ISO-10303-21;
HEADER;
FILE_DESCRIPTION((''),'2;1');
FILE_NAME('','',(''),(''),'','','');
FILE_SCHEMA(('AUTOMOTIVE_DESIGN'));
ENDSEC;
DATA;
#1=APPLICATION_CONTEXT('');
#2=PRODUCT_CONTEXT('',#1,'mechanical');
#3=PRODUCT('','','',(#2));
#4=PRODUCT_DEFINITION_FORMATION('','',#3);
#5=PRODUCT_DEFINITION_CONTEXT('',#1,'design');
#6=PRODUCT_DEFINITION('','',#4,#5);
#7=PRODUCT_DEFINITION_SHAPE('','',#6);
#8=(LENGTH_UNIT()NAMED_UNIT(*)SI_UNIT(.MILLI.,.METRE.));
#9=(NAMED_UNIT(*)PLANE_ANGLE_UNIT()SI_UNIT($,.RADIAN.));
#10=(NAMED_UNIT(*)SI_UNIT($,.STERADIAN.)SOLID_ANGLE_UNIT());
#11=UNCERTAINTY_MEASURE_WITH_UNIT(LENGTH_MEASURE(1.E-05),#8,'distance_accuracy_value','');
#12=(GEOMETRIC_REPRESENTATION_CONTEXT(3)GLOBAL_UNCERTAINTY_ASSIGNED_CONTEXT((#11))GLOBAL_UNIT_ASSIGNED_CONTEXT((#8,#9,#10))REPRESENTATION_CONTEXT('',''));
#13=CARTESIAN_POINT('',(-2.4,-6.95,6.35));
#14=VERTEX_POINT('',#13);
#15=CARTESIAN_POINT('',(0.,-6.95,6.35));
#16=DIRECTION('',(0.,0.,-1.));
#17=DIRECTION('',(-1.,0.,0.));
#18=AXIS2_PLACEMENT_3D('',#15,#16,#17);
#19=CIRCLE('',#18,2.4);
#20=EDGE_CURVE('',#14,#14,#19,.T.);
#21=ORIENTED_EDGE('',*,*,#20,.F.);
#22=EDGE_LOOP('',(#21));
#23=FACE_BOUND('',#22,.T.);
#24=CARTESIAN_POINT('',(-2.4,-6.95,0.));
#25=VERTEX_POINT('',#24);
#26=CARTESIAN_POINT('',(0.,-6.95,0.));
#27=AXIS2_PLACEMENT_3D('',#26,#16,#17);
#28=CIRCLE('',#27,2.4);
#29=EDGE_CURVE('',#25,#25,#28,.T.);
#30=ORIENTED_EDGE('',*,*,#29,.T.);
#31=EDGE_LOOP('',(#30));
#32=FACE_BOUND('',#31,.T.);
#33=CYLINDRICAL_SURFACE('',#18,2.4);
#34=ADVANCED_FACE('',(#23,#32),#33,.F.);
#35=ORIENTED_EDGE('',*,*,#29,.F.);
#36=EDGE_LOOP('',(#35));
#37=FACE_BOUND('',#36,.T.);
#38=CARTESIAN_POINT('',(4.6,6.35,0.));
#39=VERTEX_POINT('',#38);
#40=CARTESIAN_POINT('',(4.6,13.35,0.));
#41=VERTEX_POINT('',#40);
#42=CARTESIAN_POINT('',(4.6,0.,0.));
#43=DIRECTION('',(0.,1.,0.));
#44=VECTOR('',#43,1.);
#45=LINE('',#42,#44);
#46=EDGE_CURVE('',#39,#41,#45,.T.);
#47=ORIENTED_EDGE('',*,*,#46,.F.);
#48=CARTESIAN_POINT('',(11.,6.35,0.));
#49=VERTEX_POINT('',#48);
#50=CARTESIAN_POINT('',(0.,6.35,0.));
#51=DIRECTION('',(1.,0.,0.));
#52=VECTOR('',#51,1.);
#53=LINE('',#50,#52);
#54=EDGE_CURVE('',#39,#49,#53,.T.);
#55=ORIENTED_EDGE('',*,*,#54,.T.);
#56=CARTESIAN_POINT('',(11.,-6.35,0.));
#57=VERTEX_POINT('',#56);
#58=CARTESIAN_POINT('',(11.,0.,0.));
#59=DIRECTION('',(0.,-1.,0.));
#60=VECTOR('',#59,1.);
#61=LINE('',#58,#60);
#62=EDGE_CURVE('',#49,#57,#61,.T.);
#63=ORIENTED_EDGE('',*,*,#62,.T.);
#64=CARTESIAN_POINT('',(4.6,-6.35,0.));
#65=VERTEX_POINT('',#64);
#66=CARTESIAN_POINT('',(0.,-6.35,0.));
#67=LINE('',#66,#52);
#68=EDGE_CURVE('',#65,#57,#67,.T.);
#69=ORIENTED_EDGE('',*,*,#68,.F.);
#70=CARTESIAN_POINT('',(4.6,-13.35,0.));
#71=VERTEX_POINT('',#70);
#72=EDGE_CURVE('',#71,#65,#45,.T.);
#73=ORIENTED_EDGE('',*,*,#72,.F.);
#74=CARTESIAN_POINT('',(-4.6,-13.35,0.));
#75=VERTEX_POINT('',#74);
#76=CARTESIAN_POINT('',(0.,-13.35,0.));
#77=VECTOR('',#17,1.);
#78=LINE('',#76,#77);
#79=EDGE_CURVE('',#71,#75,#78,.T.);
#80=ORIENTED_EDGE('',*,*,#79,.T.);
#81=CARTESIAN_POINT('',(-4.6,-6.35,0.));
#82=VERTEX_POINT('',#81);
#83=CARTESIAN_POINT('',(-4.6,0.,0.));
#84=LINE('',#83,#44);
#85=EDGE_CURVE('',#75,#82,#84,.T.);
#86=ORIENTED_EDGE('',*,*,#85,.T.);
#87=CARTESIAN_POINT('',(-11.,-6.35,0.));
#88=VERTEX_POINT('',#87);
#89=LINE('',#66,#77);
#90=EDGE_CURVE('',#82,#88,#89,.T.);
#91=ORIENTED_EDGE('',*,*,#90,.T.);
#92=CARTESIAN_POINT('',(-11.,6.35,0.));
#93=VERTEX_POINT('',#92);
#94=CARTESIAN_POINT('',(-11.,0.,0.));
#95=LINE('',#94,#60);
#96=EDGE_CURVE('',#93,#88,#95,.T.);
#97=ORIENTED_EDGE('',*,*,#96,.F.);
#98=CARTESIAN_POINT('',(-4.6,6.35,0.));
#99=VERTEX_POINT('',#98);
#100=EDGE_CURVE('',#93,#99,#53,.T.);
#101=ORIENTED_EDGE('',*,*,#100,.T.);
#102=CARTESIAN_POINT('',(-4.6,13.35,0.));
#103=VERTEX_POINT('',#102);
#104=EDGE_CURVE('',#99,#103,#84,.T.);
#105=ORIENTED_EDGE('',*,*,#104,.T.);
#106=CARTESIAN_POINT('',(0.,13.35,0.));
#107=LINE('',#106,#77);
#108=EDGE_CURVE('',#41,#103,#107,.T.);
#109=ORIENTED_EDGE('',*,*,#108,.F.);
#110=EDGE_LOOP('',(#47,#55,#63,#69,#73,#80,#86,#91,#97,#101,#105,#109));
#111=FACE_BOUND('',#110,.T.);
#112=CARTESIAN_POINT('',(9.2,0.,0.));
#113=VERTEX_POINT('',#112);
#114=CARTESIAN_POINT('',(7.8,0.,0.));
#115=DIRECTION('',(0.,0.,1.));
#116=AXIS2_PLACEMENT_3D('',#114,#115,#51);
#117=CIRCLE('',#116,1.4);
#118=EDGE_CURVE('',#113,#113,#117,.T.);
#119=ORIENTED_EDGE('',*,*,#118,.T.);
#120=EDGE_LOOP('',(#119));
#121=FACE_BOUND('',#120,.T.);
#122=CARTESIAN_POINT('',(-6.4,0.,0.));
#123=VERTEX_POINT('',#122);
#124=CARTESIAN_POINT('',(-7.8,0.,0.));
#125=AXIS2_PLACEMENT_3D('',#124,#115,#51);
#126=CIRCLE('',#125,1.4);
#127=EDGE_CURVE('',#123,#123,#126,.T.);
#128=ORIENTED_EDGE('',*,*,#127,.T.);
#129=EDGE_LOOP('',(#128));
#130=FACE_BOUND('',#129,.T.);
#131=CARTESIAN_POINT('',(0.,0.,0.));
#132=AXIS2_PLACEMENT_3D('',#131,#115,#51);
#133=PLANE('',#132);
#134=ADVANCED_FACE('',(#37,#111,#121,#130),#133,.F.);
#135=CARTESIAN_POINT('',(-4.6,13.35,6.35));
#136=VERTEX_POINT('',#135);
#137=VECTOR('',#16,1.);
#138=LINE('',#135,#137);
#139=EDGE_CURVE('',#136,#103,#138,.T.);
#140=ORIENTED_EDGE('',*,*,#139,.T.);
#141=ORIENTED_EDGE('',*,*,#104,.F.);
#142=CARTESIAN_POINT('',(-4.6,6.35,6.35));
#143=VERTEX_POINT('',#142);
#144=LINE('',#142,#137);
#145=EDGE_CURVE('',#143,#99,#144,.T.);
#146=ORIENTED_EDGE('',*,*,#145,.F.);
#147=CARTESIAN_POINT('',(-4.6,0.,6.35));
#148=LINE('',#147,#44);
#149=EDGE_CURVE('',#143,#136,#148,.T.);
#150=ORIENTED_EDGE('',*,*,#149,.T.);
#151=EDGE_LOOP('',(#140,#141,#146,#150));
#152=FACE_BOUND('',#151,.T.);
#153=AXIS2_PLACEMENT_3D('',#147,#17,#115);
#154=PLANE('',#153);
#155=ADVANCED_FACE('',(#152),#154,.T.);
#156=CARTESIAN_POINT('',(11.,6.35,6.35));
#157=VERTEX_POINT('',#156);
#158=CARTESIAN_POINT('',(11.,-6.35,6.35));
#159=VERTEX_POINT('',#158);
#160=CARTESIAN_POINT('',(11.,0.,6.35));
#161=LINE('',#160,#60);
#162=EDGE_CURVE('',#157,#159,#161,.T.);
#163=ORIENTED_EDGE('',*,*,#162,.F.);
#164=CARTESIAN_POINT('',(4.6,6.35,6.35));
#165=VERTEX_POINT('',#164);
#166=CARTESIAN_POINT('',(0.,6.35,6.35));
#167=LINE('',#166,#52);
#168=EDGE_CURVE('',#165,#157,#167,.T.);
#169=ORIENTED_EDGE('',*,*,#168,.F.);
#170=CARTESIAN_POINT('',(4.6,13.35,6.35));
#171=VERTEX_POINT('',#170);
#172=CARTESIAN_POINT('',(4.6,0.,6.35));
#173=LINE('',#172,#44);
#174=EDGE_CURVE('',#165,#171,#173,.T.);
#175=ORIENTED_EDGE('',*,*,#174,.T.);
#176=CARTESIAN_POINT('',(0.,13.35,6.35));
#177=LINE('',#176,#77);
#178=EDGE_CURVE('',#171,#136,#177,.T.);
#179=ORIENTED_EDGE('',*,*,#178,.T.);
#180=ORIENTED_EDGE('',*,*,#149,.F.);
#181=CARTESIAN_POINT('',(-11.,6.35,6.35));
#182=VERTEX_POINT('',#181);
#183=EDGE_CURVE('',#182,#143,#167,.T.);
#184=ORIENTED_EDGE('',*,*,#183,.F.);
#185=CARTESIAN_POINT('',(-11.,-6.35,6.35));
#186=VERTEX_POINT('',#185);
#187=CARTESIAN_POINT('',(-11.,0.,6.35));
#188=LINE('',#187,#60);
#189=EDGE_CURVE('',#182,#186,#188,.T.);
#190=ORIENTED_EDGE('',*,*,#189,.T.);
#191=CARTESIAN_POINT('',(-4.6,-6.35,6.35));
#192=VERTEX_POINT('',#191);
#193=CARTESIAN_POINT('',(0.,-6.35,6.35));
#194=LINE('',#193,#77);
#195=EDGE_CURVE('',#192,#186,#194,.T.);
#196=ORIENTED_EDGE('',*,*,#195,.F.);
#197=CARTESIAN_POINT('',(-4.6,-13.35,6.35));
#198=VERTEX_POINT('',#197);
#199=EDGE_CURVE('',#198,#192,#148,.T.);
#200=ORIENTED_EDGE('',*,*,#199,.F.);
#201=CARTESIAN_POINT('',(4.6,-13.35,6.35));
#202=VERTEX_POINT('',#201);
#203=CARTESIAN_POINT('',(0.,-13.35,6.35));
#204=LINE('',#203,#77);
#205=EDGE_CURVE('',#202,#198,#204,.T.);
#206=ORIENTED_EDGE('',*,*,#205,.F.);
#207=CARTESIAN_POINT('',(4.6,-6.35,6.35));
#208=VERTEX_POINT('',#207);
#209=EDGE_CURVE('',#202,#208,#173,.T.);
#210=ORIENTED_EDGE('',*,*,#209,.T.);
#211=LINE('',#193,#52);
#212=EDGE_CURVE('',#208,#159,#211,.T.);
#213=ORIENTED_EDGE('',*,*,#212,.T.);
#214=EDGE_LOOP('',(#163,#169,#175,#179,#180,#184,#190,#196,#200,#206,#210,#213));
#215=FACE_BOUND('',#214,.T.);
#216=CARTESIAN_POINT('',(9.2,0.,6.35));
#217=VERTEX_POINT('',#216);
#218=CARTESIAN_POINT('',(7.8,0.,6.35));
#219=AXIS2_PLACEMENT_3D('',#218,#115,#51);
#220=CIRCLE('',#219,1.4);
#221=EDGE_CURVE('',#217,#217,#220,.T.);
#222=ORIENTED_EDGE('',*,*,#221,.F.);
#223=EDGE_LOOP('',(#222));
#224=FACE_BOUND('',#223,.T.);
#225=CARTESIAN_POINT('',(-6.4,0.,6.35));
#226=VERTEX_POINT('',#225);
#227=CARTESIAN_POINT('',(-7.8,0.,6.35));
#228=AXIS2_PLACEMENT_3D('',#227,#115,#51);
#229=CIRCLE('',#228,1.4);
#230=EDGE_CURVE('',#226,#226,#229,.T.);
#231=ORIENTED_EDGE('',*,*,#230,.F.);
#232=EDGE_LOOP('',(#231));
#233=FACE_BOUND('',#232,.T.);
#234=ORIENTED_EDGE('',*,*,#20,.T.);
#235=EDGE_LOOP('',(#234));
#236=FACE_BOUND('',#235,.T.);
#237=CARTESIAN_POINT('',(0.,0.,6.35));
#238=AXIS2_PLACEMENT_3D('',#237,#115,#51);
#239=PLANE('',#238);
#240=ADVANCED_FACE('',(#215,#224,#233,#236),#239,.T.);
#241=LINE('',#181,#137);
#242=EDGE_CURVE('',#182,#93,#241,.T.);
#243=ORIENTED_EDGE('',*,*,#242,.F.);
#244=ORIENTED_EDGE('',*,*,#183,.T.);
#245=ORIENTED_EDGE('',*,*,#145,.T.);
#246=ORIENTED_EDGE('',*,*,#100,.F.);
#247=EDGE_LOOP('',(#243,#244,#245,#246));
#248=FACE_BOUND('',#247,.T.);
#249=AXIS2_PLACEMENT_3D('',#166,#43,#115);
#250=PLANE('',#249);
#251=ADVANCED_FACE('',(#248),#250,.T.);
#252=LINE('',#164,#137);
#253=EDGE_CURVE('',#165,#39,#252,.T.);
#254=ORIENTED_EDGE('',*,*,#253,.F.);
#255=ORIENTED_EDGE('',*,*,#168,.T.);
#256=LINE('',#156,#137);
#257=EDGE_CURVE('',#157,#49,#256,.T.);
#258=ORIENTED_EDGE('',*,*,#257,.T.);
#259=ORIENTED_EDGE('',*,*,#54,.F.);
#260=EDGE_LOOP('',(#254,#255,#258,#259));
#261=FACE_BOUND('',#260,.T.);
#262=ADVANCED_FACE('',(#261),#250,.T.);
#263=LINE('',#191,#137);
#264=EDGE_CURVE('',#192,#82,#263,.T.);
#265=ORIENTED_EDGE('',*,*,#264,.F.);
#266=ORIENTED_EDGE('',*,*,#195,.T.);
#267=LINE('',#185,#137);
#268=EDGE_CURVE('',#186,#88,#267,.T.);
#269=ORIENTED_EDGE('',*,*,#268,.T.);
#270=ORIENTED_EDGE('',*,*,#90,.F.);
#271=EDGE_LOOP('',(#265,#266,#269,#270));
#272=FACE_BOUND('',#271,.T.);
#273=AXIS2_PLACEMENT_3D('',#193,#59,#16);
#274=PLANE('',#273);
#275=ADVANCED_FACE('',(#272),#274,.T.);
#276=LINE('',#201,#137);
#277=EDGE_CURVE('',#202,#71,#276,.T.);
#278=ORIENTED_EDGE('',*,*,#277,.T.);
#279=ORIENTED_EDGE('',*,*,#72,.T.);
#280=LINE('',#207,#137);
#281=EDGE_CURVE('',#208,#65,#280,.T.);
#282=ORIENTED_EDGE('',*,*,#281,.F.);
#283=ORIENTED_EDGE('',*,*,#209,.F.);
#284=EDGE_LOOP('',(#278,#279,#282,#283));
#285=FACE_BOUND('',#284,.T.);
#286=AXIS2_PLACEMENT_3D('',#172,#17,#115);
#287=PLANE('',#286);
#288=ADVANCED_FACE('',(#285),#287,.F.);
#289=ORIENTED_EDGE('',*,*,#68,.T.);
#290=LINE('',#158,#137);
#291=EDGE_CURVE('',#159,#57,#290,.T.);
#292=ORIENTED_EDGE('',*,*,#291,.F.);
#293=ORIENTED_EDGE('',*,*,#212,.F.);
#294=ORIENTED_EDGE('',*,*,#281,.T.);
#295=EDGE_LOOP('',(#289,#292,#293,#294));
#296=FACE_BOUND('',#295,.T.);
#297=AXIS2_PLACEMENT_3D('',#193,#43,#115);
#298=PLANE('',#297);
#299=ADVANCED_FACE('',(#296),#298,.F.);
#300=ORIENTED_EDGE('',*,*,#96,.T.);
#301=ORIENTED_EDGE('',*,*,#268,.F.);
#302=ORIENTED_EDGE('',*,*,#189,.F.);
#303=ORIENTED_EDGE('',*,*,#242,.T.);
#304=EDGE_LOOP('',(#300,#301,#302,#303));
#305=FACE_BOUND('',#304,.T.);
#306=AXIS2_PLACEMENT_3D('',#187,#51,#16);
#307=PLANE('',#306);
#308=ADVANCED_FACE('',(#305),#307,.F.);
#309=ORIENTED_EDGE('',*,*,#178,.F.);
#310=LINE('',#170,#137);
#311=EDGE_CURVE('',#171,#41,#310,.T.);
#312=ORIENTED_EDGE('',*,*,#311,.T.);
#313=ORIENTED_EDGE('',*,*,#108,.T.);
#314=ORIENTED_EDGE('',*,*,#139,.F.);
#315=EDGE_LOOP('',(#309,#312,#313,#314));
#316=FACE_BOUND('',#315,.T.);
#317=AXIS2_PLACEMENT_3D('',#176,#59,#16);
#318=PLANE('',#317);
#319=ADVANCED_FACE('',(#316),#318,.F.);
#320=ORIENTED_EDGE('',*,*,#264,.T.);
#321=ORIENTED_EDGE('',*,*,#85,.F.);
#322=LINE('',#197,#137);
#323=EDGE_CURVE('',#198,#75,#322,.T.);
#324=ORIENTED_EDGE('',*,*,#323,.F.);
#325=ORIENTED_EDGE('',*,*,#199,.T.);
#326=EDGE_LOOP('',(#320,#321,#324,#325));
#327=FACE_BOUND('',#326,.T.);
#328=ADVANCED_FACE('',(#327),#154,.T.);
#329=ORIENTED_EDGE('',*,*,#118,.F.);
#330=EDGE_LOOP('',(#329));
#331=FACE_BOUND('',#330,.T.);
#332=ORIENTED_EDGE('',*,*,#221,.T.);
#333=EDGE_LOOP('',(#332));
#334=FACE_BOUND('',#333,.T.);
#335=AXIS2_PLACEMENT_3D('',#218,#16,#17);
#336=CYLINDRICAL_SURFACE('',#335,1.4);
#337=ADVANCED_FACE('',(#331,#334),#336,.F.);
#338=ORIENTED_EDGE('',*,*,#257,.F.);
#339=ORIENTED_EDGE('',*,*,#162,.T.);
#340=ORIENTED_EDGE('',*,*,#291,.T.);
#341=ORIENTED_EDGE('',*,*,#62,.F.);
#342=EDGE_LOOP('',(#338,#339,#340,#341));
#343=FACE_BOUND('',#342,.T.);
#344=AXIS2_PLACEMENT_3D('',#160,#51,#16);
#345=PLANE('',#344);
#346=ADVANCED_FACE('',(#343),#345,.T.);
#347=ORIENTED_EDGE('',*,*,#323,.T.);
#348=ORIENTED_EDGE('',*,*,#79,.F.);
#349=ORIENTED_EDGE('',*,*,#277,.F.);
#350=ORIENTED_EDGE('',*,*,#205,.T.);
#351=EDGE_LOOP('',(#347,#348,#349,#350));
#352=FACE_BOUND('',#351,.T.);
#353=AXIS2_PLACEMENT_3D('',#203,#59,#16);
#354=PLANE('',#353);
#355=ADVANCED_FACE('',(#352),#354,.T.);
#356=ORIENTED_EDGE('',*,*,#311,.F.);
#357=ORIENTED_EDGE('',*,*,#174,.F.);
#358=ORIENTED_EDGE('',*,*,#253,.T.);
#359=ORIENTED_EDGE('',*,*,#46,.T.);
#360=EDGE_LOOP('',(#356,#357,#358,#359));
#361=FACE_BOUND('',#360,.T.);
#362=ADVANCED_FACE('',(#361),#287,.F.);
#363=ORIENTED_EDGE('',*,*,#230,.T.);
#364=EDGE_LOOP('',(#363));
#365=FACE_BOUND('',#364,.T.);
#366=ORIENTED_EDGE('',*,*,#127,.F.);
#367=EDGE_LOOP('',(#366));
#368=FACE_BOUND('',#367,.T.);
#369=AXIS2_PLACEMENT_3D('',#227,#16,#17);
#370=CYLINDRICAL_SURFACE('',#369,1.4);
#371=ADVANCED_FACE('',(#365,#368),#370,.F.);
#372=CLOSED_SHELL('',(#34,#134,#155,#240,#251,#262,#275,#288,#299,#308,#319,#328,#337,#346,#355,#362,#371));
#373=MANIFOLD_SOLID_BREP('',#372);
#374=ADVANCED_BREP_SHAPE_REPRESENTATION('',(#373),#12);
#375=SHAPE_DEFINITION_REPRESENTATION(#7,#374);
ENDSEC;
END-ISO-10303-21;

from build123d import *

# Parameters (mm, degrees)
SKETCH1_W           = 6.4
SKETCH1_H           = 12.7
SKETCH1_R           = 1.4
BOSS_EXTRUDE1_DEPTH = 6.35
SKETCH2_R           = 2.4
CUT_EXTRUDE1_DEPTH  = 19.426746864


with BuildPart() as part:
    # Sketch1 → Boss-Extrude1 (new body)
    # profile 1 of 5: a face of its own
    with BuildSketch(Plane.XY):
        Polygon((-4.6, 13.35), (-4.6, 6.35), (-4.6, -6.35), (-4.6, -13.35), (4.6, -13.35), (4.6, -6.35), (4.6, 6.35), (4.6, 13.35), align=None)
    # profile 2 of 5: a face of its own
    with BuildSketch(Plane.XY):
        Polygon((-4.6, 13.35), (-4.6, 6.35), (-4.6, -6.35), (-4.6, -13.35), (4.6, -13.35), (4.6, -6.35), (4.6, 6.35), (4.6, 13.35), align=None)
    # profile 3 of 5: a face of its own
    with BuildSketch(Plane.XY):
        Polygon((-4.6, 13.35), (-4.6, 6.35), (-4.6, -6.35), (-4.6, -13.35), (4.6, -13.35), (4.6, -6.35), (4.6, 6.35), (4.6, 13.35), align=None)
    # profile 4 of 5: a face of its own
    with BuildSketch(Plane.XY):
        with Locations((7.8, 0)):
            Rectangle(SKETCH1_W, SKETCH1_H)
        with Locations((7.8, 0)):
            Circle(SKETCH1_R, mode=Mode.SUBTRACT)
    # profile 5 of 5: a face of its own
    with BuildSketch(Plane.XY):
        with Locations((-7.8, 0)):
            Rectangle(SKETCH1_W, SKETCH1_H)
        with Locations((-7.8, 0)):
            Circle(SKETCH1_R, mode=Mode.SUBTRACT)
    extrude(amount=BOSS_EXTRUDE1_DEPTH)

    # Sketch2 → Cut-Extrude1 (cut, through all)
    with BuildSketch(Plane(origin=(0, 0, 0), x_dir=(-1, 0, 0), z_dir=(0, 0, -1))):
        with Locations((0, -6.95)):
            Circle(SKETCH2_R)
    extrude(amount=-CUT_EXTRUDE1_DEPTH, mode=Mode.SUBTRACT)


solid = part.part
